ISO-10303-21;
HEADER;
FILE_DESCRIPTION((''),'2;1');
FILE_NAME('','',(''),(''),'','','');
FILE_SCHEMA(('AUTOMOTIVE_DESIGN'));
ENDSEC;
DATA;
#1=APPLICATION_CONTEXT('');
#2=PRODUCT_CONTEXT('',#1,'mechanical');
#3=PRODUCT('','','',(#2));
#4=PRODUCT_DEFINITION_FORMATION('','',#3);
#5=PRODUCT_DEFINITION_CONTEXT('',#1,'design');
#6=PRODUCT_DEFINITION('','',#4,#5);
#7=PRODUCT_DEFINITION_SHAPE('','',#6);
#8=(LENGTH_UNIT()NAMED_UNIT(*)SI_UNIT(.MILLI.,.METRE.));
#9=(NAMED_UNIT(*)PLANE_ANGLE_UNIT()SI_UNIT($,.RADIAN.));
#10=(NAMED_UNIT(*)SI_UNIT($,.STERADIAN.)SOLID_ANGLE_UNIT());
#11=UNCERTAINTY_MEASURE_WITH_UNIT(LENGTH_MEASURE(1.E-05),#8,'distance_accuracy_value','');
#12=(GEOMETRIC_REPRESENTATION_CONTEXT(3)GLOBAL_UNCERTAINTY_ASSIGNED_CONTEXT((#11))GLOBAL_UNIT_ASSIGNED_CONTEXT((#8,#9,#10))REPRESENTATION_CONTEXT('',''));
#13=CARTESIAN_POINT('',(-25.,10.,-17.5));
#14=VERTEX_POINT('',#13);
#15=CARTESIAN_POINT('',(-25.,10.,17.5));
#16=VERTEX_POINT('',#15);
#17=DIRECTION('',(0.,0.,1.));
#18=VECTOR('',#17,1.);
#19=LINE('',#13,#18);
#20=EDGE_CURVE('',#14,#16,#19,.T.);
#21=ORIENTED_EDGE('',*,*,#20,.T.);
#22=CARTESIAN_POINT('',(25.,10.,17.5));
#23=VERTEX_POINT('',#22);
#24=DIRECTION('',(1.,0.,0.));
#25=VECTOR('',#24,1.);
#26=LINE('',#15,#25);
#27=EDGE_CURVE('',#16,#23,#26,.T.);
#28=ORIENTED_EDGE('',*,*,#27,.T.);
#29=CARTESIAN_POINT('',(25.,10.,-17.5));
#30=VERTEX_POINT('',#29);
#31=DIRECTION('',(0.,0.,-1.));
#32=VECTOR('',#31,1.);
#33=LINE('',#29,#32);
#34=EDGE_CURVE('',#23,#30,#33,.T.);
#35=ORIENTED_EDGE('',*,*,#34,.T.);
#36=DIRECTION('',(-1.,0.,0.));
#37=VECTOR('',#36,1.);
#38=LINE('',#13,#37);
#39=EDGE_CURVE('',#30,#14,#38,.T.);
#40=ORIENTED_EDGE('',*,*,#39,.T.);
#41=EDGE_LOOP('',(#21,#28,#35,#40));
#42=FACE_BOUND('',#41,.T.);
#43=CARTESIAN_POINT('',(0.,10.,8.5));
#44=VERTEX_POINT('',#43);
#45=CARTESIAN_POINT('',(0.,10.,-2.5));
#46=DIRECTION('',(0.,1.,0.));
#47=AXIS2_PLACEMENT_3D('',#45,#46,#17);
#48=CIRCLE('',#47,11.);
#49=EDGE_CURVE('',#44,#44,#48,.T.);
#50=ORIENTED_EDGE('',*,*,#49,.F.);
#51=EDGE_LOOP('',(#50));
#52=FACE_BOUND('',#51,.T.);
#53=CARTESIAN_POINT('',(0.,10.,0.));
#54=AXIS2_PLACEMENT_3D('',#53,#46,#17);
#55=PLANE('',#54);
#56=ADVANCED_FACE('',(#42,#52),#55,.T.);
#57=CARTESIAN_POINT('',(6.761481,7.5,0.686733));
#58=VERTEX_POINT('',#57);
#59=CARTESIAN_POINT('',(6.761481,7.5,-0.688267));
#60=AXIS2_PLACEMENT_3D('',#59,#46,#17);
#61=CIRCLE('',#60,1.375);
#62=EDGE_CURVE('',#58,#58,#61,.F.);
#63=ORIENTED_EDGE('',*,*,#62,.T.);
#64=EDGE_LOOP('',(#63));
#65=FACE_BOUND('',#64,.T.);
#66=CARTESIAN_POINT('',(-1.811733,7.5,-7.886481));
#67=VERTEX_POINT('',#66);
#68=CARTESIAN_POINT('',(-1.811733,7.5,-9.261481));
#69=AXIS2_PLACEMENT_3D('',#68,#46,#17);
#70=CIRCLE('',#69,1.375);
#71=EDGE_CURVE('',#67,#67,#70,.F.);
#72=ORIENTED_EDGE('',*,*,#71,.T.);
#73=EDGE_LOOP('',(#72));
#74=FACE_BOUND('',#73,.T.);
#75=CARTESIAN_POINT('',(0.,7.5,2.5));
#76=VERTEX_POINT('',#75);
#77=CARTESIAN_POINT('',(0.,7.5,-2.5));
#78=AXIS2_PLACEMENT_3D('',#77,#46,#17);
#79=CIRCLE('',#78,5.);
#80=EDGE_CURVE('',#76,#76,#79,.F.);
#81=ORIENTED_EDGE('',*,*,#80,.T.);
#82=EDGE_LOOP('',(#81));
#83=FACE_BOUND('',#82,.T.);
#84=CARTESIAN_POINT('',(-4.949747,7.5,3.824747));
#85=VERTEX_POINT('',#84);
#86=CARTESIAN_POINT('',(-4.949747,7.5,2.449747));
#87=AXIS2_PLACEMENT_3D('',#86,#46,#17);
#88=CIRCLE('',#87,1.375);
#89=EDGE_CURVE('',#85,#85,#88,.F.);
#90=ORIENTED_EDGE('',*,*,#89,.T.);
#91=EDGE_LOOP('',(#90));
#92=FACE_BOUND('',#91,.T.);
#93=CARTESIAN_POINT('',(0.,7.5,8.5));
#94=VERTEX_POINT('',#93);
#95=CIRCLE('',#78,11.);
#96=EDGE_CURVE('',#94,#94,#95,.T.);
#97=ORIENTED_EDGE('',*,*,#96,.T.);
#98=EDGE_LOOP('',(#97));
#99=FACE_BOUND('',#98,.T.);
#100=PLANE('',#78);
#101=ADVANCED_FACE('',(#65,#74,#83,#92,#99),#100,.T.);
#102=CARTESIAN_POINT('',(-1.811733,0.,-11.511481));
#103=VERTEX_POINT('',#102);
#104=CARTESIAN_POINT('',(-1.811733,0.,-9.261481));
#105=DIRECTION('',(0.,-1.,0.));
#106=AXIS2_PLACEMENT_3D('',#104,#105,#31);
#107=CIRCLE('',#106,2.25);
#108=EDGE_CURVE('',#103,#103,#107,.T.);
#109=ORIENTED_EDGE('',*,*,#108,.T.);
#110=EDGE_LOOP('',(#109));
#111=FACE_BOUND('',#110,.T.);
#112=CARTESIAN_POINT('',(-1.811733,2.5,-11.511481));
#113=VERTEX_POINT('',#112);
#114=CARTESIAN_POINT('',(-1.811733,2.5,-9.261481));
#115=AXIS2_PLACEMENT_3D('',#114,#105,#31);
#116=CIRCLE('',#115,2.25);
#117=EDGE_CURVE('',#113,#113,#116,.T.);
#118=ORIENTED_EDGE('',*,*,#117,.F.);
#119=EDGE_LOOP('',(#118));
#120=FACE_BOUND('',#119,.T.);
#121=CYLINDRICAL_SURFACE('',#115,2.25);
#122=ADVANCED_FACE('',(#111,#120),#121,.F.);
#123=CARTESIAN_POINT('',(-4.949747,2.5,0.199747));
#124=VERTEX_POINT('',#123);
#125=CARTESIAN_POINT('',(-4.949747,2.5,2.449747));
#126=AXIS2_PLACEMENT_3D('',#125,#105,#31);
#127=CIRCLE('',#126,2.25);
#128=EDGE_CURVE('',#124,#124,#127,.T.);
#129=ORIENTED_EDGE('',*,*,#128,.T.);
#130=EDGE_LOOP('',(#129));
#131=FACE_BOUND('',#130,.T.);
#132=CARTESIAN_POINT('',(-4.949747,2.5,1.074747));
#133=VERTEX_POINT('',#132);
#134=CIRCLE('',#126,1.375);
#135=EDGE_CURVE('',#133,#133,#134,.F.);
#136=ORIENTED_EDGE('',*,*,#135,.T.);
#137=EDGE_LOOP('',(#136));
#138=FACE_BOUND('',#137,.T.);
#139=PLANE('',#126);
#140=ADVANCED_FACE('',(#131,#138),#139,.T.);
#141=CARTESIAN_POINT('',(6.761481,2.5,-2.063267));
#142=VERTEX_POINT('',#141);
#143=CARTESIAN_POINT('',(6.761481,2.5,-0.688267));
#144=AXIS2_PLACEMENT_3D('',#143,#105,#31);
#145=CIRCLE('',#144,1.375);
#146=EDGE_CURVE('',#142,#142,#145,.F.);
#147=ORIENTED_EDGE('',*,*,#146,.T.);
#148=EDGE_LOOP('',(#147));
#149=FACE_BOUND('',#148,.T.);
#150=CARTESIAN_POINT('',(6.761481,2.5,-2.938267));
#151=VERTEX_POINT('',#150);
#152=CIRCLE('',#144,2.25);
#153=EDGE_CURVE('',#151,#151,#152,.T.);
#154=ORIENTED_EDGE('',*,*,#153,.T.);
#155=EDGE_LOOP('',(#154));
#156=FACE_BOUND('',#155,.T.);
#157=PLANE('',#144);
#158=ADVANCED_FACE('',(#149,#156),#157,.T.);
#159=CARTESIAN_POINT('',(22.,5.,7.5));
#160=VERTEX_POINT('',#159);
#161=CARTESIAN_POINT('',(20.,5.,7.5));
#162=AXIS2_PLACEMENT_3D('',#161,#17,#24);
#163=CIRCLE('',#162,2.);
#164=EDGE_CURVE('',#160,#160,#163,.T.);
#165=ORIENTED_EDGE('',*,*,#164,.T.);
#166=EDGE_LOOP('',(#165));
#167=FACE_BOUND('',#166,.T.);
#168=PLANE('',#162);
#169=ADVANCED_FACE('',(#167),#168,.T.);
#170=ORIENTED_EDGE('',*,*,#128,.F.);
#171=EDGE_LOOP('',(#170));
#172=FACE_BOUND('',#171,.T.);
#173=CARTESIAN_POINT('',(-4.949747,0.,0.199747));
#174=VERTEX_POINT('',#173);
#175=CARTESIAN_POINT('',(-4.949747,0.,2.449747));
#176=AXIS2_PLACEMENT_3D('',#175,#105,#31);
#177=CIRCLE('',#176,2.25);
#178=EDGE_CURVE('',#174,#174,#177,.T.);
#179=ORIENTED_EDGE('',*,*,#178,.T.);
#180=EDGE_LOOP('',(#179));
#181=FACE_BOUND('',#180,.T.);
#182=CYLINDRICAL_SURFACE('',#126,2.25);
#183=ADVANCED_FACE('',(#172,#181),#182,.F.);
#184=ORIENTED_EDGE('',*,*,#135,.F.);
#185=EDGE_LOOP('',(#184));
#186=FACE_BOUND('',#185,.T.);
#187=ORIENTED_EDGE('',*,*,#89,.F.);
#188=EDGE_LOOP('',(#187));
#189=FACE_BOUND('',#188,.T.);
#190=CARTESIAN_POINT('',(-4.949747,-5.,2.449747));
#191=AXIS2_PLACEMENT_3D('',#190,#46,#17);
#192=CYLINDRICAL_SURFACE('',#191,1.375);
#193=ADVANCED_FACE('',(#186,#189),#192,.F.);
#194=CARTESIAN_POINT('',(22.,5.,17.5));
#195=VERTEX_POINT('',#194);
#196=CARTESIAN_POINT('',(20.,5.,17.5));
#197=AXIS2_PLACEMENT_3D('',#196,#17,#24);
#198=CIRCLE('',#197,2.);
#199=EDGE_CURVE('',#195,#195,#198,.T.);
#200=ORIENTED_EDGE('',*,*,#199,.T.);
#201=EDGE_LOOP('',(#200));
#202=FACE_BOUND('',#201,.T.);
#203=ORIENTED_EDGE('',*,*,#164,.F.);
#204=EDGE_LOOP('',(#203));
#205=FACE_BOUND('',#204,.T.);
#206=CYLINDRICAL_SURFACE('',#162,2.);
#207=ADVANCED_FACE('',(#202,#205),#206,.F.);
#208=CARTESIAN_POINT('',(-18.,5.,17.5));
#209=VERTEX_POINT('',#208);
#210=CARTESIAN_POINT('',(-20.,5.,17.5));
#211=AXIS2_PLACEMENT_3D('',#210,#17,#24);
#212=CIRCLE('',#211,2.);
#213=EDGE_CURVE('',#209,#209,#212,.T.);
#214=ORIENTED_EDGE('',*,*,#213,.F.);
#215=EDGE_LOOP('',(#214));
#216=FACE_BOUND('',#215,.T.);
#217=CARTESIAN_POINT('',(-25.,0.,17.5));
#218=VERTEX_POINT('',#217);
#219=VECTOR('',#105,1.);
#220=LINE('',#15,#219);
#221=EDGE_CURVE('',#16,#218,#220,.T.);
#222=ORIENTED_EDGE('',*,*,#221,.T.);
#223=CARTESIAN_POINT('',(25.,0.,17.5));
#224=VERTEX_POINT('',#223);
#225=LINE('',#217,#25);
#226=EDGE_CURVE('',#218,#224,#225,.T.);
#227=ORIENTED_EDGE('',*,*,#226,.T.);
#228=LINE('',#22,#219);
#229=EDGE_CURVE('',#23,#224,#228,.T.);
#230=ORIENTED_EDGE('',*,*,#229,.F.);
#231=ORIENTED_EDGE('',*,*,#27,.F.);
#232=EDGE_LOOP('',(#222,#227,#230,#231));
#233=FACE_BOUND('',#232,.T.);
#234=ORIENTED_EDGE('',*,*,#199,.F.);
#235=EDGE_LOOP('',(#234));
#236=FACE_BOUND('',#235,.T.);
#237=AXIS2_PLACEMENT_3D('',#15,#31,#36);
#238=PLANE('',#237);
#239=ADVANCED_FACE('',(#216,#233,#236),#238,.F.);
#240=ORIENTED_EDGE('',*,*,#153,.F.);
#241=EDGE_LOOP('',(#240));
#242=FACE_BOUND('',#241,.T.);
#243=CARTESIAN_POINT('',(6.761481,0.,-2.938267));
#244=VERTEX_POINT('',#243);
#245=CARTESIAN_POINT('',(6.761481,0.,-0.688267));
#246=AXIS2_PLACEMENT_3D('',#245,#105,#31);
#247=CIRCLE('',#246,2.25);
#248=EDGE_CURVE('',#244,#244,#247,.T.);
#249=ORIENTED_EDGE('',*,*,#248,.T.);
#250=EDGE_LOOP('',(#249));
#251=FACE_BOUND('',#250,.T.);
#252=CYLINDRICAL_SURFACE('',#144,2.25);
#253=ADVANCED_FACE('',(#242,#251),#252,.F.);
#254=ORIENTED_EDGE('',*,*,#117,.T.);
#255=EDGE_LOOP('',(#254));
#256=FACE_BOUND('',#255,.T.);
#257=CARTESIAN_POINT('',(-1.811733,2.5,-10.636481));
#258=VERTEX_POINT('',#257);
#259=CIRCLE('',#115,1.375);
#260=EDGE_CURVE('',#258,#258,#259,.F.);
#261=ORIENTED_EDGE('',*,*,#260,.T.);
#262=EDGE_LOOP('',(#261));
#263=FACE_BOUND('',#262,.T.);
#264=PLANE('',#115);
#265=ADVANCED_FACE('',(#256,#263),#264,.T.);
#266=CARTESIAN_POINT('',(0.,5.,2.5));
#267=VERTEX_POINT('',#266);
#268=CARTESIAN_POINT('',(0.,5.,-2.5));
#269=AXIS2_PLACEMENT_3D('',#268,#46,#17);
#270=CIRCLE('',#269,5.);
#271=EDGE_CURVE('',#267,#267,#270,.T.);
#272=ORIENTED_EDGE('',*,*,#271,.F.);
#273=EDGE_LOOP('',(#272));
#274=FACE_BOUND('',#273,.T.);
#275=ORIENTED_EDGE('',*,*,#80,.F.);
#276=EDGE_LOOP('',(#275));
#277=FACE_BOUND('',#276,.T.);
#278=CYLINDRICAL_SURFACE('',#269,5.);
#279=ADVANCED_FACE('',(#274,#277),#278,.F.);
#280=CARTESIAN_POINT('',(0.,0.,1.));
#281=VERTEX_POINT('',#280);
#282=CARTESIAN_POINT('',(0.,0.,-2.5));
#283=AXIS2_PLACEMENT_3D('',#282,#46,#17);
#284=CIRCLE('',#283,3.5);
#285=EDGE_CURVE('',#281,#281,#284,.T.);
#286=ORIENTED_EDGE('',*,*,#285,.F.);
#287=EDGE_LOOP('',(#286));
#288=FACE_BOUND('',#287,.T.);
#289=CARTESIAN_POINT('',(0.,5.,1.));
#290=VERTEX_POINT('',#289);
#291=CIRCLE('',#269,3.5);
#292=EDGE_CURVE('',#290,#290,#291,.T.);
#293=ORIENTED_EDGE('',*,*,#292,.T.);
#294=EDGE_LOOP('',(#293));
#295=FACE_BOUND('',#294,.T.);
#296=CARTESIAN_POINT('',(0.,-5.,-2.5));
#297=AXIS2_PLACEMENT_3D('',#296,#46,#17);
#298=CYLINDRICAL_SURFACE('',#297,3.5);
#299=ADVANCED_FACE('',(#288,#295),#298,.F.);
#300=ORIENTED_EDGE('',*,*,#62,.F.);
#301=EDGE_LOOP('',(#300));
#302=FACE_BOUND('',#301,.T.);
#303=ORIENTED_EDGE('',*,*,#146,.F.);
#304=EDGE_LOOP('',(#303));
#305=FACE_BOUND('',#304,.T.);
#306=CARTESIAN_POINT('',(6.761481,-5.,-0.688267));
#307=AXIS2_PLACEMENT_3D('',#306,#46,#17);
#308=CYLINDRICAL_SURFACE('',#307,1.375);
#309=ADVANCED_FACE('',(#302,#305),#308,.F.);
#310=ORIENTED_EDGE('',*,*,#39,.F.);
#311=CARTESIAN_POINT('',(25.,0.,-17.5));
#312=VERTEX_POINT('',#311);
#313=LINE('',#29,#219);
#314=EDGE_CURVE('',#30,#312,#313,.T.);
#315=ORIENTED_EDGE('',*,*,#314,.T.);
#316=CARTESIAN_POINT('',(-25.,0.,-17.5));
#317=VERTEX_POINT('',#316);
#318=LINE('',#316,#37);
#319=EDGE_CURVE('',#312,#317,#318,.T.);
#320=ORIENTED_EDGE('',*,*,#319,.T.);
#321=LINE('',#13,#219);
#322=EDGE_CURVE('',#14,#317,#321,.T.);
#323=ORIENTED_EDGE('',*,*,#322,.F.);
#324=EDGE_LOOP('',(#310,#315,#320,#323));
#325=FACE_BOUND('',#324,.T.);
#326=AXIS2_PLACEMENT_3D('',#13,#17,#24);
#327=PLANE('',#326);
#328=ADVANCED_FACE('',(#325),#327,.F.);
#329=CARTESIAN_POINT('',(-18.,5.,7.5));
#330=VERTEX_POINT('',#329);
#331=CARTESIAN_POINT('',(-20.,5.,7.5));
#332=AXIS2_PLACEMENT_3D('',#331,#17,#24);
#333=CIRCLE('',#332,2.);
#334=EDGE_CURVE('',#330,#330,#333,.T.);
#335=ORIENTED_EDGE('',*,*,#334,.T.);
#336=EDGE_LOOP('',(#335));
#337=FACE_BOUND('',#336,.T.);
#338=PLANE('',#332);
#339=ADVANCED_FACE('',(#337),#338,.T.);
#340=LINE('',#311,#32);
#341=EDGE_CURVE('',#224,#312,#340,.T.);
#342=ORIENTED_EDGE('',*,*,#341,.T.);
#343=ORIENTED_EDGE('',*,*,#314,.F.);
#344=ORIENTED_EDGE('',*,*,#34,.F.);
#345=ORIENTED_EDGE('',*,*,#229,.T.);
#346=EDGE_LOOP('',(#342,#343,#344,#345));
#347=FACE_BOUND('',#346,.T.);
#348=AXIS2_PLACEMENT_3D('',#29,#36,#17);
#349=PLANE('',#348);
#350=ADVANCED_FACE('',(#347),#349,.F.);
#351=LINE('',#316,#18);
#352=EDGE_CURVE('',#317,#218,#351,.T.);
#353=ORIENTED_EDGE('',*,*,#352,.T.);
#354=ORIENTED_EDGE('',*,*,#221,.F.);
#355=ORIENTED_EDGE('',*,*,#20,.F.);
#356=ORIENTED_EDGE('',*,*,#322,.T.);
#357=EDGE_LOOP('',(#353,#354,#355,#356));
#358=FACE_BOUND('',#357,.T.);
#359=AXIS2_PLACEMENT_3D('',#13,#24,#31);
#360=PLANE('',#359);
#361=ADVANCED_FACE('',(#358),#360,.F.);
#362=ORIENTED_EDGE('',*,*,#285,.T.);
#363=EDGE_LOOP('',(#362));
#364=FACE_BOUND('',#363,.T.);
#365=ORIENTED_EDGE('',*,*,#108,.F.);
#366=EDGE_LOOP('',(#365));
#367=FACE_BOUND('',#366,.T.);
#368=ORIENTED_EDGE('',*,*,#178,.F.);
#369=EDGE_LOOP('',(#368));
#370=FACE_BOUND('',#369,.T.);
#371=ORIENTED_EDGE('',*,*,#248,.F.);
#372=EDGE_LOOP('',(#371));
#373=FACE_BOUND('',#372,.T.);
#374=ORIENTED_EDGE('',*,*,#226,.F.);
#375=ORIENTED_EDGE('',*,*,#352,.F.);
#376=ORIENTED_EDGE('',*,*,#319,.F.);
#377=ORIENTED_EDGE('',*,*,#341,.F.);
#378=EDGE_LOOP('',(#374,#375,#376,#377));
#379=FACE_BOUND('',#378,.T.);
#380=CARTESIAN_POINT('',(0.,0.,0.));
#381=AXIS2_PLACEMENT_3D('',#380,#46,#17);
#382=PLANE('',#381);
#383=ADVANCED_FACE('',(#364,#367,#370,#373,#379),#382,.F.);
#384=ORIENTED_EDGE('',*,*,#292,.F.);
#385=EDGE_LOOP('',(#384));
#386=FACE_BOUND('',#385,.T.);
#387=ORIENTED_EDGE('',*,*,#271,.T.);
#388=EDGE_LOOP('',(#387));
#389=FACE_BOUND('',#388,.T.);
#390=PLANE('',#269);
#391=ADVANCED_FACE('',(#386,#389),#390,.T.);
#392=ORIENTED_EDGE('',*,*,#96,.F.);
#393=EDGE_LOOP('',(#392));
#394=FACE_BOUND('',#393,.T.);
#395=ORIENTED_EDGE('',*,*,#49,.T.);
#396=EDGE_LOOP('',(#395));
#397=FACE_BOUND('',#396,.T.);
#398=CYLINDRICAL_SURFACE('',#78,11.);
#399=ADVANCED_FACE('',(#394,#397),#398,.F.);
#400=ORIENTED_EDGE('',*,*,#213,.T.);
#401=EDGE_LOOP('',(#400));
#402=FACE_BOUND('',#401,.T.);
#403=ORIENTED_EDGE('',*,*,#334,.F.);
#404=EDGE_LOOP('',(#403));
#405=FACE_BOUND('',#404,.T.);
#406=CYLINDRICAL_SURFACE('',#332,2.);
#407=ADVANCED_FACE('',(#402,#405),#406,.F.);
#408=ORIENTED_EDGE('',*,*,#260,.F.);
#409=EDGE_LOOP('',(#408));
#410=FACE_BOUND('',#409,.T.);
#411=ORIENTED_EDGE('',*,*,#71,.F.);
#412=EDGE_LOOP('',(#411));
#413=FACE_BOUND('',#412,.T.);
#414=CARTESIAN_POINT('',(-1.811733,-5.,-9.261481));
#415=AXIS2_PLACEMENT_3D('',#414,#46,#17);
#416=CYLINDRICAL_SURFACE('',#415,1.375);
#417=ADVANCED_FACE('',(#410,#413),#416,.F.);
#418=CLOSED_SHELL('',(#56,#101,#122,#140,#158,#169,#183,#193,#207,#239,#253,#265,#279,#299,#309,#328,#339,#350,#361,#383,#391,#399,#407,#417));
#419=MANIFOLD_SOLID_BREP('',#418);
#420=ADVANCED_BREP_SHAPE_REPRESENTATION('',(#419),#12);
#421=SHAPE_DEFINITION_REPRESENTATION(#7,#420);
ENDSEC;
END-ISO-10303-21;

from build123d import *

# Parameters (mm, degrees)
ESQUISSE1_W             = 50
ESQUISSE1_H             = 35
BOSS_EXTRU_1_DEPTH      = 10
ESQUISSE2_R             = 5
ENL_V_MAT_EXTRU_1_DEPTH = 5
ESQUISSE3_R             = 1.375
ESQUISSE3_R_2           = 3.5
ENL_V_MAT_EXTRU_2_DEPTH = 15
ESQUISSE4_R             = 11
ENL_V_MAT_EXTRU_3_DEPTH = 2.5
ESQUISSE5_R             = 2.25
ENL_V_MAT_EXTRU_4_DEPTH = 2.5
ESQUISSE6_R             = 2
ENL_V_MAT_EXTRU_5_DEPTH = 10


with BuildPart() as part:
    # Esquisse1 → Boss.-Extru.1 (new body)
    with BuildSketch(Plane(origin=(0, 0, 0), x_dir=(1, 0, 0), z_dir=(0, 1, 0))):
        Rectangle(ESQUISSE1_W, ESQUISSE1_H)
    extrude(amount=BOSS_EXTRU_1_DEPTH)

    # Esquisse2 → Enlèv. mat.-Extru.1 (cut)
    with BuildSketch(Plane(origin=(0, 10, 0), x_dir=(1, 0, 0), z_dir=(0, 1, 0))):
        with Locations(Location((0, 2.5, 0), (0, 0, 270))):
            Circle(ESQUISSE2_R)
    extrude(amount=-ENL_V_MAT_EXTRU_1_DEPTH, mode=Mode.SUBTRACT)

    # Esquisse3 → Enlèv. mat.-Extru.2 (cut)
    with BuildSketch(Plane(origin=(0, 10, 0), x_dir=(1, 0, 0), z_dir=(0, 1, 0))):
        with Locations(Location((-1.811733316, 9.261480784, 0), (0, 0, 270))):
            Circle(ESQUISSE3_R)
        with Locations(Location((6.761480784, 0.688266684, 0), (0, 0, 270))):
            Circle(ESQUISSE3_R)
        with Locations(Location((-4.949747468, -2.449747468, 0), (0, 0, 270))):
            Circle(ESQUISSE3_R)
        with Locations(Location((0, 2.5, 0), (0, 0, 270))):
            Circle(ESQUISSE3_R_2)
    extrude(amount=-ENL_V_MAT_EXTRU_2_DEPTH, mode=Mode.SUBTRACT)

    # Esquisse4 → Enlèv. mat.-Extru.3 (cut)
    with BuildSketch(Plane(origin=(0, 10, 0), x_dir=(1, 0, 0), z_dir=(0, 1, 0))):
        with Locations(Location((0, 2.5, 0), (0, 0, 270))):
            Circle(ESQUISSE4_R)
    extrude(amount=-ENL_V_MAT_EXTRU_3_DEPTH, mode=Mode.SUBTRACT)

    # Esquisse5 → Enlèv. mat.-Extru.4 (cut)
    with BuildSketch(Plane.XZ):
        with Locations(Location((-4.949747468, 2.449747468, 0), (0, 0, 270))):
            Circle(ESQUISSE5_R)
        with Locations(Location((6.761480784, -0.688266684, 0), (0, 0, 270))):
            Circle(ESQUISSE5_R)
        with Locations(Location((-1.811733316, -9.261480784, 0), (0, 0, 270))):
            Circle(ESQUISSE5_R)
    extrude(amount=-ENL_V_MAT_EXTRU_4_DEPTH, mode=Mode.SUBTRACT)

    # Esquisse6 → Enlèv. mat.-Extru.5 (cut)
    with BuildSketch(Plane.XY.offset(17.5)):
        with Locations((-20, 5)):
            Circle(ESQUISSE6_R)
        with Locations((20, 5)):
            Circle(ESQUISSE6_R)
    extrude(amount=-ENL_V_MAT_EXTRU_5_DEPTH, mode=Mode.SUBTRACT)


solid = part.part
